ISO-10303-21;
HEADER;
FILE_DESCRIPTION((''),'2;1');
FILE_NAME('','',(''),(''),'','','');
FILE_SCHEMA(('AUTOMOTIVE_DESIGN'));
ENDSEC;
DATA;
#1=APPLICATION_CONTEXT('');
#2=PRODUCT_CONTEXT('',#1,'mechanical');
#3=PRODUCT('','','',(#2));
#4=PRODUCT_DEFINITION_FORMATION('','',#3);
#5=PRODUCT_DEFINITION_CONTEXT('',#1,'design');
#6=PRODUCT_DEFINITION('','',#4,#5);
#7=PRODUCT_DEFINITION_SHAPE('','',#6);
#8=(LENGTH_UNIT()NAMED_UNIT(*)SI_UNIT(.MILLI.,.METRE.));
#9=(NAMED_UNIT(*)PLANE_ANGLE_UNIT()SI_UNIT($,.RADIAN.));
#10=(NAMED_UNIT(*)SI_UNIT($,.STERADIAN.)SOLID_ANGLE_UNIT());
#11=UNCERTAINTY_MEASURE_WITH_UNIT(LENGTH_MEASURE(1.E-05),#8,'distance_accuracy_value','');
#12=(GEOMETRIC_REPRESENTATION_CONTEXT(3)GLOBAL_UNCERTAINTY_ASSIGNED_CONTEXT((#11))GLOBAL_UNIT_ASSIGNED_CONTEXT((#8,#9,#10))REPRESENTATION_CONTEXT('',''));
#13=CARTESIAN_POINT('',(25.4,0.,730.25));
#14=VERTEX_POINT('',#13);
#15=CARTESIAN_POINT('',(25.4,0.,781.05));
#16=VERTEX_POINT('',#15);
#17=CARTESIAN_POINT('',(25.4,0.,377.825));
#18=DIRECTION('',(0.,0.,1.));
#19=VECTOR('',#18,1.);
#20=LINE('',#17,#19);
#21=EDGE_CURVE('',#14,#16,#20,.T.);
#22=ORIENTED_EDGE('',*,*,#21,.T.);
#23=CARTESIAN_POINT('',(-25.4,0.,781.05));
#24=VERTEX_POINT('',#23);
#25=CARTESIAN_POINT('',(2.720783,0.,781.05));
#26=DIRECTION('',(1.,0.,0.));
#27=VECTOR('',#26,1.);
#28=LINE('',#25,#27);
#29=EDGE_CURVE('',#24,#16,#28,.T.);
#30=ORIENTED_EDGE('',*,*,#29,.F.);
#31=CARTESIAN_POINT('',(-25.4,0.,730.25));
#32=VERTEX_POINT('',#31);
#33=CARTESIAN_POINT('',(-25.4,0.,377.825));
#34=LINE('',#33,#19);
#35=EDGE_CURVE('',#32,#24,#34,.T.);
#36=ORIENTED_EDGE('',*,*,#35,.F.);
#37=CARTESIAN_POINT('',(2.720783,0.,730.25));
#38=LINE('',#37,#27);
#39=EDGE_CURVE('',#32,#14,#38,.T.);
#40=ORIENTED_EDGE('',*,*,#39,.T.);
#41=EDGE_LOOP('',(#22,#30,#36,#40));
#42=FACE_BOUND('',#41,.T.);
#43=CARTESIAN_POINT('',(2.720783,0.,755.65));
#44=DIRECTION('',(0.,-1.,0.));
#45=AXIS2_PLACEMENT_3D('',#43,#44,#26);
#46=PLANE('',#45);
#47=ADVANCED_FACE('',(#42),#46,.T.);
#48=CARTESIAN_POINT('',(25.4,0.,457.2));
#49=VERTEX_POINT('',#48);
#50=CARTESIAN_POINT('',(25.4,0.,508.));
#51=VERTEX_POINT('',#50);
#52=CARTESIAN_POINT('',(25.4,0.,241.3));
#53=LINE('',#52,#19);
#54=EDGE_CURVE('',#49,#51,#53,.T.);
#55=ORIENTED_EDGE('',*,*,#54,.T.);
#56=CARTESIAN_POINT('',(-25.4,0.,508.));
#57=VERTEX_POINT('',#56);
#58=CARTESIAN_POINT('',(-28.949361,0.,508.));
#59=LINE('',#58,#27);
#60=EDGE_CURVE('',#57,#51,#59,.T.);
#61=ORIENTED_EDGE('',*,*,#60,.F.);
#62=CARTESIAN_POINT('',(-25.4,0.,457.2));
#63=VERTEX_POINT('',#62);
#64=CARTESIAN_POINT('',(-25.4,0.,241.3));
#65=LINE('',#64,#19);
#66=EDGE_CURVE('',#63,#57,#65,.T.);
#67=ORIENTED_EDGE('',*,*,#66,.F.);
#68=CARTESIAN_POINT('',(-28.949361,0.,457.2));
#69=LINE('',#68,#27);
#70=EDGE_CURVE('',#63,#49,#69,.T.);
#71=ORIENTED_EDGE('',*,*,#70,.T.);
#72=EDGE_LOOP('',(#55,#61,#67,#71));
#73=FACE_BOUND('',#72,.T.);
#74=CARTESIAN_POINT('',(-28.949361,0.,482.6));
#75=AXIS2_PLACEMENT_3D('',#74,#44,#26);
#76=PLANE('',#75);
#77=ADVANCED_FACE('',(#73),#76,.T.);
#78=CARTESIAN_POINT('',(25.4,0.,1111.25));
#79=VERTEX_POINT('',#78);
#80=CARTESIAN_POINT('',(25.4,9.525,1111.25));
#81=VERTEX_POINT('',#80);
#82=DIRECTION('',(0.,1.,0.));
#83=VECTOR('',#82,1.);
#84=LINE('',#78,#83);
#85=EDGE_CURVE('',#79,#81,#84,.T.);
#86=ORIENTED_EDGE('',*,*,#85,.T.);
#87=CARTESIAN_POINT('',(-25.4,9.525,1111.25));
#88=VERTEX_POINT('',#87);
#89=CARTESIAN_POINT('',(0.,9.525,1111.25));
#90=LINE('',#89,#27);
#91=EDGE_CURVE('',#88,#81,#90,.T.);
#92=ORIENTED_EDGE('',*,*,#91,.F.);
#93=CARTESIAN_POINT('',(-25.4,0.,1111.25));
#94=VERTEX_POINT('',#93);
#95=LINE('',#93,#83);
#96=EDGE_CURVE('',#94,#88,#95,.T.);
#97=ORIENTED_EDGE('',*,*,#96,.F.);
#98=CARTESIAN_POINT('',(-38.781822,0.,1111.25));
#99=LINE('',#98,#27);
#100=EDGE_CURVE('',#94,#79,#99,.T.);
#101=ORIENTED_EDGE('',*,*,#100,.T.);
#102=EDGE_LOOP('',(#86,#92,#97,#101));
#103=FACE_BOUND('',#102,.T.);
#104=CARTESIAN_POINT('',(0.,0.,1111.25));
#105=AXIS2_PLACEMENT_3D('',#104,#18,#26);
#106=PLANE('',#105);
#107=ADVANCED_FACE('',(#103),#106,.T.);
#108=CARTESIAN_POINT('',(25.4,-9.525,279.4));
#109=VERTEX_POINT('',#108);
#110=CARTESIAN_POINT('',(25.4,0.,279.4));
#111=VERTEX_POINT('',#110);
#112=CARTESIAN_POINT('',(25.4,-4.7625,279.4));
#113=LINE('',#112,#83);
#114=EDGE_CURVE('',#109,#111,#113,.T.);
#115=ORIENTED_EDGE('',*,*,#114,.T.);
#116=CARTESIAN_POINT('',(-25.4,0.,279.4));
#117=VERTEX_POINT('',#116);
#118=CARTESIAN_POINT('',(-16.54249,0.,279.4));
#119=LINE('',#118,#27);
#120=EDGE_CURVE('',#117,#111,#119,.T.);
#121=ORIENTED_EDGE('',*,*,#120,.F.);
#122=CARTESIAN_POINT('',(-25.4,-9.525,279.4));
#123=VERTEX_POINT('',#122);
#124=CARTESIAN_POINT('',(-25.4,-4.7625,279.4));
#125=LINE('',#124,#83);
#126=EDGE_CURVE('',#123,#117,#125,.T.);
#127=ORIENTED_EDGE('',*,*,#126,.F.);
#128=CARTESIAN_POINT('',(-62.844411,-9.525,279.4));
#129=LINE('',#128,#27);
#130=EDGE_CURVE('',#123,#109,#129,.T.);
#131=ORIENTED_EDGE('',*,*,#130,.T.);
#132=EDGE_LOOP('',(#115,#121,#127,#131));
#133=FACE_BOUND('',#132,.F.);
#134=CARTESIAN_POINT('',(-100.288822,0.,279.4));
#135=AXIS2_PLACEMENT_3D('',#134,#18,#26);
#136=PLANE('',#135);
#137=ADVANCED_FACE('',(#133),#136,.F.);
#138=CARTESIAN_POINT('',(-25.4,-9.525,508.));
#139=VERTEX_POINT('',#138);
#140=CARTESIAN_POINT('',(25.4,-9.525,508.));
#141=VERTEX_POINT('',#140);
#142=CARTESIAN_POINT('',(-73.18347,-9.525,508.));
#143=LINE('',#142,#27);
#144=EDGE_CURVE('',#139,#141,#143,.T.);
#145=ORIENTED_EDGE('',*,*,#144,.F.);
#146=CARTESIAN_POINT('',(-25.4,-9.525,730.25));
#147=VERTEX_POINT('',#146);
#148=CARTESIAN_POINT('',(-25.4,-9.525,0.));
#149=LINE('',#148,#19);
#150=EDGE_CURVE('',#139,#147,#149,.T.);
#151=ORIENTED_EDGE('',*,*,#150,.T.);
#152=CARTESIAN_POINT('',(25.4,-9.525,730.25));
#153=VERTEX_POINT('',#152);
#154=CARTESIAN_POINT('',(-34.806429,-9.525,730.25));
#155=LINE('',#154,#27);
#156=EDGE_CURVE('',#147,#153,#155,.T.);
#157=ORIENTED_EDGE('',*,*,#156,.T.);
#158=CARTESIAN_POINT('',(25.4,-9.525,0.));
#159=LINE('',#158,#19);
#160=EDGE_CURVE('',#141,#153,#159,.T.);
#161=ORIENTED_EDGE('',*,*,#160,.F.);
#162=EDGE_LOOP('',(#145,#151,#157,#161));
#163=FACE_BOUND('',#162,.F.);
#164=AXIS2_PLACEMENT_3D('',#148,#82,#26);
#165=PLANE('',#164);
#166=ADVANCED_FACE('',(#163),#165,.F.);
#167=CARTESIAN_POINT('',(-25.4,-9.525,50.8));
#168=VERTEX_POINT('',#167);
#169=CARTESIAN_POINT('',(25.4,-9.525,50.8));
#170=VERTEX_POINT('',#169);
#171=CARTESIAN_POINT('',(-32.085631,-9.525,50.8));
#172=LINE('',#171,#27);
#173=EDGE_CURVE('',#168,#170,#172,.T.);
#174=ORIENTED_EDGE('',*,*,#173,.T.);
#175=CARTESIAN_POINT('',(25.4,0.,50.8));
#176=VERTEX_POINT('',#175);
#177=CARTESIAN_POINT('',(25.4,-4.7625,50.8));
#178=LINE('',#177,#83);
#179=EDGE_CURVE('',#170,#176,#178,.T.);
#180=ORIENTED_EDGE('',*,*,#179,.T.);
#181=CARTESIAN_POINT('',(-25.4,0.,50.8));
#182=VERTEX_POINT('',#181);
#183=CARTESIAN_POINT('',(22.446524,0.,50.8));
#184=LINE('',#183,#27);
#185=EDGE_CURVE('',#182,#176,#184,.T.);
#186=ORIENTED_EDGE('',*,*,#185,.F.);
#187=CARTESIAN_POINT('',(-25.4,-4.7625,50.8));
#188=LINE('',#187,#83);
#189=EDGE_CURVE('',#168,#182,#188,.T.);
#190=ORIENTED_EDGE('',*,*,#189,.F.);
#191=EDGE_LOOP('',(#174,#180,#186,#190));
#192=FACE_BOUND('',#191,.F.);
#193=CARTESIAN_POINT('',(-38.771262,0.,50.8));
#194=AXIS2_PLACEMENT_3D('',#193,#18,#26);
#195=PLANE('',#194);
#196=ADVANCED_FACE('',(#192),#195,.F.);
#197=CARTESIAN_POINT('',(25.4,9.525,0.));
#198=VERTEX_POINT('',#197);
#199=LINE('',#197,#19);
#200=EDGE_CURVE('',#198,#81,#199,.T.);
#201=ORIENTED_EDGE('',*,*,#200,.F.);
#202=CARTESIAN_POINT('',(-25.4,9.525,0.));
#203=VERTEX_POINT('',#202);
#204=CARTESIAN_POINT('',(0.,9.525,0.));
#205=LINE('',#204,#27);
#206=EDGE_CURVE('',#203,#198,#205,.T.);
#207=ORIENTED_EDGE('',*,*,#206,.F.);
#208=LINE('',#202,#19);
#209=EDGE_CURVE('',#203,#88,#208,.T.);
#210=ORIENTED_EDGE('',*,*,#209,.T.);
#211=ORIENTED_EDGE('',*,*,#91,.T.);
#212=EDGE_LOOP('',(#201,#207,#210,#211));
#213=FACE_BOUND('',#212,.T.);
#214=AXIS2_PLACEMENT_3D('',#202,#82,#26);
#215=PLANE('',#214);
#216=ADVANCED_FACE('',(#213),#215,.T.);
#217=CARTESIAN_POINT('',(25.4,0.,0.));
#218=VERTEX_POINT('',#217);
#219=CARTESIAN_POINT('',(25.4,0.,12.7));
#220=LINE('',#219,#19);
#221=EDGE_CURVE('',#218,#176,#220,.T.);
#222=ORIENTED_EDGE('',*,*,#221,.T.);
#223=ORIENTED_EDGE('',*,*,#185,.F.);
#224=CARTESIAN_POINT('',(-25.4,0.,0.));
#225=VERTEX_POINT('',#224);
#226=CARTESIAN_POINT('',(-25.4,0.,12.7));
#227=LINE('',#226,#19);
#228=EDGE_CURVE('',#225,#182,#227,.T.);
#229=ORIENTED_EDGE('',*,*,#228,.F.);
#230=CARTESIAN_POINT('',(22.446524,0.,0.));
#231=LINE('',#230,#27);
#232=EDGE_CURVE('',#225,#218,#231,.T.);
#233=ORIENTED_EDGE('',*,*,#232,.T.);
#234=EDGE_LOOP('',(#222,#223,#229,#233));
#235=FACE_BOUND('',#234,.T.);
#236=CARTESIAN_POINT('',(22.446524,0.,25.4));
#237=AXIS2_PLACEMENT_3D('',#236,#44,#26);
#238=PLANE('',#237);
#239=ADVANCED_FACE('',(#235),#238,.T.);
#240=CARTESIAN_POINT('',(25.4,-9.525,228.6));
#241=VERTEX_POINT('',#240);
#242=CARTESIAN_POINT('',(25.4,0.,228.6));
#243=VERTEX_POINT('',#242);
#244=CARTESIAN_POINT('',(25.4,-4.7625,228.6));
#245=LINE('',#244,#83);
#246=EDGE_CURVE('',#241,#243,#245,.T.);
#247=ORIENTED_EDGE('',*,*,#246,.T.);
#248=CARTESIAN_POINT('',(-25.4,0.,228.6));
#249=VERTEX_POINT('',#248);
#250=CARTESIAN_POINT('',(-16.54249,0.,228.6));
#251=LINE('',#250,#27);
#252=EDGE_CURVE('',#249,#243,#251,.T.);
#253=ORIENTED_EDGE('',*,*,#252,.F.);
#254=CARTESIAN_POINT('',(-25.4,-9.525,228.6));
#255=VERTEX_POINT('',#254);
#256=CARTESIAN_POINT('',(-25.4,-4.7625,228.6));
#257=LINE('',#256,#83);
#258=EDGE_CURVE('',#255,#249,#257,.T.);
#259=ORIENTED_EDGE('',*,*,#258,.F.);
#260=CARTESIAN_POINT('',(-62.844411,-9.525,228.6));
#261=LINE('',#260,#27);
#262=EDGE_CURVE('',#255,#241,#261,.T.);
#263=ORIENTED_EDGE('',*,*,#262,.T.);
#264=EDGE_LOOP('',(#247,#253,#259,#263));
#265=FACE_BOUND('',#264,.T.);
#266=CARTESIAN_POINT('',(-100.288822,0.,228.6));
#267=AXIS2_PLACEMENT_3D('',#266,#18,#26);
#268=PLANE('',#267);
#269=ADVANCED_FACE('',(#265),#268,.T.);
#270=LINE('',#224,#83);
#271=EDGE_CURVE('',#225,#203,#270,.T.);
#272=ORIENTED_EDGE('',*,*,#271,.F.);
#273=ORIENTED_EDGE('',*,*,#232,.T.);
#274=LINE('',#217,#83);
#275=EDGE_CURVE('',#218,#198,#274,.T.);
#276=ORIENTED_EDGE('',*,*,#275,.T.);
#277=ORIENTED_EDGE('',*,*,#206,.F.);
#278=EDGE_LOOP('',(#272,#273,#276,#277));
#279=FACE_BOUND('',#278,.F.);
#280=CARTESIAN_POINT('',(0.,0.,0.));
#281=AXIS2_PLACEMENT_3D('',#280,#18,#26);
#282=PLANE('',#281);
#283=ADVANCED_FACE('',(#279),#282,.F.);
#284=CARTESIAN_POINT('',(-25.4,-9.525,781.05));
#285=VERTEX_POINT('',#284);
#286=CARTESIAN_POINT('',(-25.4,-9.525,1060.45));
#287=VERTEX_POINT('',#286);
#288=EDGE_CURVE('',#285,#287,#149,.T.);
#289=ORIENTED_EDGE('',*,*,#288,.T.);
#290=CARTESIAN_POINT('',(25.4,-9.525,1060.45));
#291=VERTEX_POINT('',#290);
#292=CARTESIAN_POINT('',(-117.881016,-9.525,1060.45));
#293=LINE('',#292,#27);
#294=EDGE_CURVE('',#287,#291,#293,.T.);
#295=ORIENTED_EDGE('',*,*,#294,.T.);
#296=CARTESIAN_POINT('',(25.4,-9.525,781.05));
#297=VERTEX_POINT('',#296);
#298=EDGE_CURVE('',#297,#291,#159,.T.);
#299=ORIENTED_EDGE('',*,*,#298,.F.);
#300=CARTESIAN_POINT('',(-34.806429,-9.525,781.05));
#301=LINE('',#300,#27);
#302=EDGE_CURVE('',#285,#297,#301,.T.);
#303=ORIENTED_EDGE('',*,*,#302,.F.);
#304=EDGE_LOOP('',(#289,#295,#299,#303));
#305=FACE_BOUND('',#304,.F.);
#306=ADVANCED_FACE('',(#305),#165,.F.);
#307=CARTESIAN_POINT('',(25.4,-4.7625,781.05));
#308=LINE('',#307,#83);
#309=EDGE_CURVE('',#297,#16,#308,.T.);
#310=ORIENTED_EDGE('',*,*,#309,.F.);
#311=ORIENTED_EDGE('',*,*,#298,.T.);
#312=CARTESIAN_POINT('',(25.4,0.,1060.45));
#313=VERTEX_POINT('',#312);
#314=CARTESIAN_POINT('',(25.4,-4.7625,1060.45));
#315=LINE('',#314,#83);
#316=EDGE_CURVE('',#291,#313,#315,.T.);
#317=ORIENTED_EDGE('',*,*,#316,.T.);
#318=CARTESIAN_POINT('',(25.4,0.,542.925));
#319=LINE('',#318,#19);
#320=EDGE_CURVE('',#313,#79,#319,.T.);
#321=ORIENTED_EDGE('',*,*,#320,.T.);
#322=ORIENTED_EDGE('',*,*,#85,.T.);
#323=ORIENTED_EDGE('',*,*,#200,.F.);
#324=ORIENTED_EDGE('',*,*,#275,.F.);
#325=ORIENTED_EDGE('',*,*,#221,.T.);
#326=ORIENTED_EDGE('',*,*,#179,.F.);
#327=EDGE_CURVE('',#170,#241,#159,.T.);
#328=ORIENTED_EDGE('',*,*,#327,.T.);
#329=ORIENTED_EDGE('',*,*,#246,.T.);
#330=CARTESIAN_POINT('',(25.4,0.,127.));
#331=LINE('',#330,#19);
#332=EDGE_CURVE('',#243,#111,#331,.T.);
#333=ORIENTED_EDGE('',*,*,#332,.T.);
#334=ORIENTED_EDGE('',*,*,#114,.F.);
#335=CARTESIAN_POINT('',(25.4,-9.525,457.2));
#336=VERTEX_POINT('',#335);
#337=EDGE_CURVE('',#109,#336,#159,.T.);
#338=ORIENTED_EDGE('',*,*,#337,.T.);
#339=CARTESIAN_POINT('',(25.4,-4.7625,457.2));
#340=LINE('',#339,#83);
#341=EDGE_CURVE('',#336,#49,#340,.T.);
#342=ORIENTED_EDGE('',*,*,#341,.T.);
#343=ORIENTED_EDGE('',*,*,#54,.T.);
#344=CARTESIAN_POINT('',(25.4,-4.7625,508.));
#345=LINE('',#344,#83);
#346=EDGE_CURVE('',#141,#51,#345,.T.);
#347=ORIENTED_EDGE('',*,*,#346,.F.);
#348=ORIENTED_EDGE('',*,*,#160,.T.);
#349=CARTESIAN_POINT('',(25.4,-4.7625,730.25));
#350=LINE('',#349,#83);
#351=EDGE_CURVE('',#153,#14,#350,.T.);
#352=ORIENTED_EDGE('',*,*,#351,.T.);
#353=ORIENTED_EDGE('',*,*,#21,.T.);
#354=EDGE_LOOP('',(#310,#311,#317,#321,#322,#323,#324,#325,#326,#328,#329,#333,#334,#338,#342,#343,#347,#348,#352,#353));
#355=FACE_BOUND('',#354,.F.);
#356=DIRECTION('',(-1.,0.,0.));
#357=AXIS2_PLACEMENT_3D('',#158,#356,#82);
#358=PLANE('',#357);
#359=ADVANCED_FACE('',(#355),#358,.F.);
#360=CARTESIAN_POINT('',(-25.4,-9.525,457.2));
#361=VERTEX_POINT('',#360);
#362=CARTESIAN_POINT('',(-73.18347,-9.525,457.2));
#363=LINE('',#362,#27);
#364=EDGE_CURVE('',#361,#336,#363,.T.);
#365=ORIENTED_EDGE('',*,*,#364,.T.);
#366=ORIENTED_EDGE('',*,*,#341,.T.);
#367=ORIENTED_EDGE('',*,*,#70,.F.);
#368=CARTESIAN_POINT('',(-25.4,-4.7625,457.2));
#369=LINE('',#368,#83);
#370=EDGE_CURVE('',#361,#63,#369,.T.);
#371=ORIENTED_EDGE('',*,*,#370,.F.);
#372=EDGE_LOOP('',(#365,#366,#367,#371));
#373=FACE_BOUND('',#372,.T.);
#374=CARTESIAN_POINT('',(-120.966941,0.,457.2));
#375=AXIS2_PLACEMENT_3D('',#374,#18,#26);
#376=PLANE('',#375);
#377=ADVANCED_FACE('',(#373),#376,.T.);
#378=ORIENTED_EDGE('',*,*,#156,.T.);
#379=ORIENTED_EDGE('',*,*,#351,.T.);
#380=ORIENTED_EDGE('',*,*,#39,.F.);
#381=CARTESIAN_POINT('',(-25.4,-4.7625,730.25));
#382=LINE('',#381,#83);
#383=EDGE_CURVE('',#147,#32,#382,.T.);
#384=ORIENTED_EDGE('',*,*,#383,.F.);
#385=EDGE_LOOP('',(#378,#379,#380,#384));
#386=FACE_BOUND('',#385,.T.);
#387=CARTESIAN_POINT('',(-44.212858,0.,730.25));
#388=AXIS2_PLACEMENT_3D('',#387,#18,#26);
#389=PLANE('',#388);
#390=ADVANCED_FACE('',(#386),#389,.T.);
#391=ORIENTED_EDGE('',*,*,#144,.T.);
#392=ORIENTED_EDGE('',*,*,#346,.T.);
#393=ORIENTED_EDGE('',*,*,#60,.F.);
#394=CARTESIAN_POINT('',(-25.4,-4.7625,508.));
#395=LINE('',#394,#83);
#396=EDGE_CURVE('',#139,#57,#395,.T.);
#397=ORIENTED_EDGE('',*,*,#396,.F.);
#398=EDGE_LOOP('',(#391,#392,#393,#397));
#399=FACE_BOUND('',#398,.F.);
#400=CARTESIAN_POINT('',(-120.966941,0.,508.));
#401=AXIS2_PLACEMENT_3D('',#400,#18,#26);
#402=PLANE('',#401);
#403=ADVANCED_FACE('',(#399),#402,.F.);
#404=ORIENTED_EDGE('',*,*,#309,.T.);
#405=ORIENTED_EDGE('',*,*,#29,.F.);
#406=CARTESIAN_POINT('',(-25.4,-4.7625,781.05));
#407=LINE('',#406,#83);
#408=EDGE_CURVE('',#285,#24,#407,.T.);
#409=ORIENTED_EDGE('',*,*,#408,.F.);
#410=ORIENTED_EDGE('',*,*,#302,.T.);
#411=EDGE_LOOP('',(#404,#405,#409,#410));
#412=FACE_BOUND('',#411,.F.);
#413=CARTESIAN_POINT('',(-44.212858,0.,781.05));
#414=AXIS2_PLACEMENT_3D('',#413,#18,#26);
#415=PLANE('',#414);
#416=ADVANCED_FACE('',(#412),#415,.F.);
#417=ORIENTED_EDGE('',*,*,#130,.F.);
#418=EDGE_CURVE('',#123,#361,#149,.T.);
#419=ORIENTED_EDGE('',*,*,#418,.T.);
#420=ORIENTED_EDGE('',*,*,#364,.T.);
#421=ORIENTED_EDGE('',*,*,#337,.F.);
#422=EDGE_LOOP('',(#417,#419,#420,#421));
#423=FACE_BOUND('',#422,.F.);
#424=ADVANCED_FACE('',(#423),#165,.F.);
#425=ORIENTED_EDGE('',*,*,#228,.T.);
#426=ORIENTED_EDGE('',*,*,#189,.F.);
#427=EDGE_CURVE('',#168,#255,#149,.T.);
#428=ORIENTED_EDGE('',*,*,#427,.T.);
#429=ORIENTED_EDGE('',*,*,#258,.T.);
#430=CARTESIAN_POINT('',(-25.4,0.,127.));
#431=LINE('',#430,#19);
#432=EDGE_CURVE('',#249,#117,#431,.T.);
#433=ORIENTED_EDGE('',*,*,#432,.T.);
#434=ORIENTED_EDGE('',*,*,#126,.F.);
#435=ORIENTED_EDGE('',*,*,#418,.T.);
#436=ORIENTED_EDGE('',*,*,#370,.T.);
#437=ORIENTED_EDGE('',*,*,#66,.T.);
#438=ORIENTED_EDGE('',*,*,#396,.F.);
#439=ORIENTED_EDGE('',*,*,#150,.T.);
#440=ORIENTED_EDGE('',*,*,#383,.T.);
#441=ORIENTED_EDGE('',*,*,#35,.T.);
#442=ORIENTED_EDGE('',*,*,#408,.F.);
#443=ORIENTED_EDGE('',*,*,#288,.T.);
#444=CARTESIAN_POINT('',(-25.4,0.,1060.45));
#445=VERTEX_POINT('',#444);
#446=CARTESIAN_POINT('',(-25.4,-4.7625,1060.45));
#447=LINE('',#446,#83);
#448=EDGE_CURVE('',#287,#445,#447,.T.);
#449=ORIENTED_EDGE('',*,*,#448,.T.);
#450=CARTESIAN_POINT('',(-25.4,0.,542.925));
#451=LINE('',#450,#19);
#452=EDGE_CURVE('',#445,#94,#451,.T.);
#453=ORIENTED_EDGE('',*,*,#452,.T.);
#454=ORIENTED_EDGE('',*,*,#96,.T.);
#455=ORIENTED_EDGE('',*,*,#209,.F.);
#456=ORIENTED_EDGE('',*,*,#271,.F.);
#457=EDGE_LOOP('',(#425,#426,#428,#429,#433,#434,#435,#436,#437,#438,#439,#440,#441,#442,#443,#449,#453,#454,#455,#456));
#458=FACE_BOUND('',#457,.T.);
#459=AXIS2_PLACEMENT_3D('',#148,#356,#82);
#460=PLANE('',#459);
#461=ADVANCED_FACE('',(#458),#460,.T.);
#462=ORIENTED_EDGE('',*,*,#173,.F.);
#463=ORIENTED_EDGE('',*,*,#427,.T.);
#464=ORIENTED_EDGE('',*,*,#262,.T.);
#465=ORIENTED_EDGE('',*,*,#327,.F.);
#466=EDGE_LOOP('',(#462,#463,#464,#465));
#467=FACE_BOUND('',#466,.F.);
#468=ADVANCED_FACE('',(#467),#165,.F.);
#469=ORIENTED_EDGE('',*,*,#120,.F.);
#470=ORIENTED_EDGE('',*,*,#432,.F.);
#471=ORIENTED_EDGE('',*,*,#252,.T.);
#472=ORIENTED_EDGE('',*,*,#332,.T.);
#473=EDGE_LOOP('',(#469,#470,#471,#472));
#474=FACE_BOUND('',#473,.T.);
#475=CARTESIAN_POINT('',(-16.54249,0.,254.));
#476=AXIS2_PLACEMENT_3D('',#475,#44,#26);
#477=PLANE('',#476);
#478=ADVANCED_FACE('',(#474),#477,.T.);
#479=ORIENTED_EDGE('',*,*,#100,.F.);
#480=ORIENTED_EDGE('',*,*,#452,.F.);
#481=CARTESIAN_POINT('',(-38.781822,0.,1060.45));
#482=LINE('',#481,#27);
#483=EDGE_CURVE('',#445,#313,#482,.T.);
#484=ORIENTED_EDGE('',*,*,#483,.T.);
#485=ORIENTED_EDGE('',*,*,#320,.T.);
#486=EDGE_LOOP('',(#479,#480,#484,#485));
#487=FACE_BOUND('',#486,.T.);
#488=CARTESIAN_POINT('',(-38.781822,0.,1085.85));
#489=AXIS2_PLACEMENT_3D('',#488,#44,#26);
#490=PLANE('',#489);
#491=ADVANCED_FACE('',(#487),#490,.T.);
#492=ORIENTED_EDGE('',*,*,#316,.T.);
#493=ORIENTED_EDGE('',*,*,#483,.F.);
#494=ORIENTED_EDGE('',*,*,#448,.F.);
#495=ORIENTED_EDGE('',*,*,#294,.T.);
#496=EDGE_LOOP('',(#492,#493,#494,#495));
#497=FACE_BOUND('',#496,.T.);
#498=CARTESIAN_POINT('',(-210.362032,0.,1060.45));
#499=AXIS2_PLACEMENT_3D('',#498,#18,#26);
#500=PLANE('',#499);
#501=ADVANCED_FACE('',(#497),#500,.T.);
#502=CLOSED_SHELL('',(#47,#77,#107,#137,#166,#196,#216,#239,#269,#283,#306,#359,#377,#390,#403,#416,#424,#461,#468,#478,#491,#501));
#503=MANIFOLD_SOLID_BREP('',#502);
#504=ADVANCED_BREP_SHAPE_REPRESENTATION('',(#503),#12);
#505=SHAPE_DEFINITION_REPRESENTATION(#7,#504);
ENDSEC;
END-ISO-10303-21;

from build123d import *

# Parameters (mm, degrees)
F0_W     = 50.8
F0_H     = 19.05
F1_DEPTH = 1111.25
F2_W     = 122.435573
F2_H     = 50.8
F2_W_2   = 93.867282
F2_W_3   = 343.160421
F2_W_4   = 167.492665
F2_W_5   = 184.03516
F3_DEPTH = 25.4


with BuildPart() as f1:
    # F0 (on Top) → F1 (new body)
    with BuildSketch(Plane.XY):
        Rectangle(F0_W, F0_H)
    extrude(amount=F1_DEPTH)

    # F2 (on Front) → F3 (cut)
    with BuildSketch(Plane.XZ):
        with Locations((22.446524, 25.4)):
            Rectangle(F2_W, F2_H)
        with Locations((2.720783, 755.65)):
            Rectangle(F2_W_2, F2_H)
        with Locations((-38.781822, 1085.85)):
            Rectangle(F2_W_3, F2_H)
        with Locations((-16.54249, 254)):
            Rectangle(F2_W_4, F2_H)
        with Locations((-28.949361, 482.6)):
            Rectangle(F2_W_5, F2_H)
    extrude(amount=F3_DEPTH, mode=Mode.SUBTRACT)


solid = f1.part
